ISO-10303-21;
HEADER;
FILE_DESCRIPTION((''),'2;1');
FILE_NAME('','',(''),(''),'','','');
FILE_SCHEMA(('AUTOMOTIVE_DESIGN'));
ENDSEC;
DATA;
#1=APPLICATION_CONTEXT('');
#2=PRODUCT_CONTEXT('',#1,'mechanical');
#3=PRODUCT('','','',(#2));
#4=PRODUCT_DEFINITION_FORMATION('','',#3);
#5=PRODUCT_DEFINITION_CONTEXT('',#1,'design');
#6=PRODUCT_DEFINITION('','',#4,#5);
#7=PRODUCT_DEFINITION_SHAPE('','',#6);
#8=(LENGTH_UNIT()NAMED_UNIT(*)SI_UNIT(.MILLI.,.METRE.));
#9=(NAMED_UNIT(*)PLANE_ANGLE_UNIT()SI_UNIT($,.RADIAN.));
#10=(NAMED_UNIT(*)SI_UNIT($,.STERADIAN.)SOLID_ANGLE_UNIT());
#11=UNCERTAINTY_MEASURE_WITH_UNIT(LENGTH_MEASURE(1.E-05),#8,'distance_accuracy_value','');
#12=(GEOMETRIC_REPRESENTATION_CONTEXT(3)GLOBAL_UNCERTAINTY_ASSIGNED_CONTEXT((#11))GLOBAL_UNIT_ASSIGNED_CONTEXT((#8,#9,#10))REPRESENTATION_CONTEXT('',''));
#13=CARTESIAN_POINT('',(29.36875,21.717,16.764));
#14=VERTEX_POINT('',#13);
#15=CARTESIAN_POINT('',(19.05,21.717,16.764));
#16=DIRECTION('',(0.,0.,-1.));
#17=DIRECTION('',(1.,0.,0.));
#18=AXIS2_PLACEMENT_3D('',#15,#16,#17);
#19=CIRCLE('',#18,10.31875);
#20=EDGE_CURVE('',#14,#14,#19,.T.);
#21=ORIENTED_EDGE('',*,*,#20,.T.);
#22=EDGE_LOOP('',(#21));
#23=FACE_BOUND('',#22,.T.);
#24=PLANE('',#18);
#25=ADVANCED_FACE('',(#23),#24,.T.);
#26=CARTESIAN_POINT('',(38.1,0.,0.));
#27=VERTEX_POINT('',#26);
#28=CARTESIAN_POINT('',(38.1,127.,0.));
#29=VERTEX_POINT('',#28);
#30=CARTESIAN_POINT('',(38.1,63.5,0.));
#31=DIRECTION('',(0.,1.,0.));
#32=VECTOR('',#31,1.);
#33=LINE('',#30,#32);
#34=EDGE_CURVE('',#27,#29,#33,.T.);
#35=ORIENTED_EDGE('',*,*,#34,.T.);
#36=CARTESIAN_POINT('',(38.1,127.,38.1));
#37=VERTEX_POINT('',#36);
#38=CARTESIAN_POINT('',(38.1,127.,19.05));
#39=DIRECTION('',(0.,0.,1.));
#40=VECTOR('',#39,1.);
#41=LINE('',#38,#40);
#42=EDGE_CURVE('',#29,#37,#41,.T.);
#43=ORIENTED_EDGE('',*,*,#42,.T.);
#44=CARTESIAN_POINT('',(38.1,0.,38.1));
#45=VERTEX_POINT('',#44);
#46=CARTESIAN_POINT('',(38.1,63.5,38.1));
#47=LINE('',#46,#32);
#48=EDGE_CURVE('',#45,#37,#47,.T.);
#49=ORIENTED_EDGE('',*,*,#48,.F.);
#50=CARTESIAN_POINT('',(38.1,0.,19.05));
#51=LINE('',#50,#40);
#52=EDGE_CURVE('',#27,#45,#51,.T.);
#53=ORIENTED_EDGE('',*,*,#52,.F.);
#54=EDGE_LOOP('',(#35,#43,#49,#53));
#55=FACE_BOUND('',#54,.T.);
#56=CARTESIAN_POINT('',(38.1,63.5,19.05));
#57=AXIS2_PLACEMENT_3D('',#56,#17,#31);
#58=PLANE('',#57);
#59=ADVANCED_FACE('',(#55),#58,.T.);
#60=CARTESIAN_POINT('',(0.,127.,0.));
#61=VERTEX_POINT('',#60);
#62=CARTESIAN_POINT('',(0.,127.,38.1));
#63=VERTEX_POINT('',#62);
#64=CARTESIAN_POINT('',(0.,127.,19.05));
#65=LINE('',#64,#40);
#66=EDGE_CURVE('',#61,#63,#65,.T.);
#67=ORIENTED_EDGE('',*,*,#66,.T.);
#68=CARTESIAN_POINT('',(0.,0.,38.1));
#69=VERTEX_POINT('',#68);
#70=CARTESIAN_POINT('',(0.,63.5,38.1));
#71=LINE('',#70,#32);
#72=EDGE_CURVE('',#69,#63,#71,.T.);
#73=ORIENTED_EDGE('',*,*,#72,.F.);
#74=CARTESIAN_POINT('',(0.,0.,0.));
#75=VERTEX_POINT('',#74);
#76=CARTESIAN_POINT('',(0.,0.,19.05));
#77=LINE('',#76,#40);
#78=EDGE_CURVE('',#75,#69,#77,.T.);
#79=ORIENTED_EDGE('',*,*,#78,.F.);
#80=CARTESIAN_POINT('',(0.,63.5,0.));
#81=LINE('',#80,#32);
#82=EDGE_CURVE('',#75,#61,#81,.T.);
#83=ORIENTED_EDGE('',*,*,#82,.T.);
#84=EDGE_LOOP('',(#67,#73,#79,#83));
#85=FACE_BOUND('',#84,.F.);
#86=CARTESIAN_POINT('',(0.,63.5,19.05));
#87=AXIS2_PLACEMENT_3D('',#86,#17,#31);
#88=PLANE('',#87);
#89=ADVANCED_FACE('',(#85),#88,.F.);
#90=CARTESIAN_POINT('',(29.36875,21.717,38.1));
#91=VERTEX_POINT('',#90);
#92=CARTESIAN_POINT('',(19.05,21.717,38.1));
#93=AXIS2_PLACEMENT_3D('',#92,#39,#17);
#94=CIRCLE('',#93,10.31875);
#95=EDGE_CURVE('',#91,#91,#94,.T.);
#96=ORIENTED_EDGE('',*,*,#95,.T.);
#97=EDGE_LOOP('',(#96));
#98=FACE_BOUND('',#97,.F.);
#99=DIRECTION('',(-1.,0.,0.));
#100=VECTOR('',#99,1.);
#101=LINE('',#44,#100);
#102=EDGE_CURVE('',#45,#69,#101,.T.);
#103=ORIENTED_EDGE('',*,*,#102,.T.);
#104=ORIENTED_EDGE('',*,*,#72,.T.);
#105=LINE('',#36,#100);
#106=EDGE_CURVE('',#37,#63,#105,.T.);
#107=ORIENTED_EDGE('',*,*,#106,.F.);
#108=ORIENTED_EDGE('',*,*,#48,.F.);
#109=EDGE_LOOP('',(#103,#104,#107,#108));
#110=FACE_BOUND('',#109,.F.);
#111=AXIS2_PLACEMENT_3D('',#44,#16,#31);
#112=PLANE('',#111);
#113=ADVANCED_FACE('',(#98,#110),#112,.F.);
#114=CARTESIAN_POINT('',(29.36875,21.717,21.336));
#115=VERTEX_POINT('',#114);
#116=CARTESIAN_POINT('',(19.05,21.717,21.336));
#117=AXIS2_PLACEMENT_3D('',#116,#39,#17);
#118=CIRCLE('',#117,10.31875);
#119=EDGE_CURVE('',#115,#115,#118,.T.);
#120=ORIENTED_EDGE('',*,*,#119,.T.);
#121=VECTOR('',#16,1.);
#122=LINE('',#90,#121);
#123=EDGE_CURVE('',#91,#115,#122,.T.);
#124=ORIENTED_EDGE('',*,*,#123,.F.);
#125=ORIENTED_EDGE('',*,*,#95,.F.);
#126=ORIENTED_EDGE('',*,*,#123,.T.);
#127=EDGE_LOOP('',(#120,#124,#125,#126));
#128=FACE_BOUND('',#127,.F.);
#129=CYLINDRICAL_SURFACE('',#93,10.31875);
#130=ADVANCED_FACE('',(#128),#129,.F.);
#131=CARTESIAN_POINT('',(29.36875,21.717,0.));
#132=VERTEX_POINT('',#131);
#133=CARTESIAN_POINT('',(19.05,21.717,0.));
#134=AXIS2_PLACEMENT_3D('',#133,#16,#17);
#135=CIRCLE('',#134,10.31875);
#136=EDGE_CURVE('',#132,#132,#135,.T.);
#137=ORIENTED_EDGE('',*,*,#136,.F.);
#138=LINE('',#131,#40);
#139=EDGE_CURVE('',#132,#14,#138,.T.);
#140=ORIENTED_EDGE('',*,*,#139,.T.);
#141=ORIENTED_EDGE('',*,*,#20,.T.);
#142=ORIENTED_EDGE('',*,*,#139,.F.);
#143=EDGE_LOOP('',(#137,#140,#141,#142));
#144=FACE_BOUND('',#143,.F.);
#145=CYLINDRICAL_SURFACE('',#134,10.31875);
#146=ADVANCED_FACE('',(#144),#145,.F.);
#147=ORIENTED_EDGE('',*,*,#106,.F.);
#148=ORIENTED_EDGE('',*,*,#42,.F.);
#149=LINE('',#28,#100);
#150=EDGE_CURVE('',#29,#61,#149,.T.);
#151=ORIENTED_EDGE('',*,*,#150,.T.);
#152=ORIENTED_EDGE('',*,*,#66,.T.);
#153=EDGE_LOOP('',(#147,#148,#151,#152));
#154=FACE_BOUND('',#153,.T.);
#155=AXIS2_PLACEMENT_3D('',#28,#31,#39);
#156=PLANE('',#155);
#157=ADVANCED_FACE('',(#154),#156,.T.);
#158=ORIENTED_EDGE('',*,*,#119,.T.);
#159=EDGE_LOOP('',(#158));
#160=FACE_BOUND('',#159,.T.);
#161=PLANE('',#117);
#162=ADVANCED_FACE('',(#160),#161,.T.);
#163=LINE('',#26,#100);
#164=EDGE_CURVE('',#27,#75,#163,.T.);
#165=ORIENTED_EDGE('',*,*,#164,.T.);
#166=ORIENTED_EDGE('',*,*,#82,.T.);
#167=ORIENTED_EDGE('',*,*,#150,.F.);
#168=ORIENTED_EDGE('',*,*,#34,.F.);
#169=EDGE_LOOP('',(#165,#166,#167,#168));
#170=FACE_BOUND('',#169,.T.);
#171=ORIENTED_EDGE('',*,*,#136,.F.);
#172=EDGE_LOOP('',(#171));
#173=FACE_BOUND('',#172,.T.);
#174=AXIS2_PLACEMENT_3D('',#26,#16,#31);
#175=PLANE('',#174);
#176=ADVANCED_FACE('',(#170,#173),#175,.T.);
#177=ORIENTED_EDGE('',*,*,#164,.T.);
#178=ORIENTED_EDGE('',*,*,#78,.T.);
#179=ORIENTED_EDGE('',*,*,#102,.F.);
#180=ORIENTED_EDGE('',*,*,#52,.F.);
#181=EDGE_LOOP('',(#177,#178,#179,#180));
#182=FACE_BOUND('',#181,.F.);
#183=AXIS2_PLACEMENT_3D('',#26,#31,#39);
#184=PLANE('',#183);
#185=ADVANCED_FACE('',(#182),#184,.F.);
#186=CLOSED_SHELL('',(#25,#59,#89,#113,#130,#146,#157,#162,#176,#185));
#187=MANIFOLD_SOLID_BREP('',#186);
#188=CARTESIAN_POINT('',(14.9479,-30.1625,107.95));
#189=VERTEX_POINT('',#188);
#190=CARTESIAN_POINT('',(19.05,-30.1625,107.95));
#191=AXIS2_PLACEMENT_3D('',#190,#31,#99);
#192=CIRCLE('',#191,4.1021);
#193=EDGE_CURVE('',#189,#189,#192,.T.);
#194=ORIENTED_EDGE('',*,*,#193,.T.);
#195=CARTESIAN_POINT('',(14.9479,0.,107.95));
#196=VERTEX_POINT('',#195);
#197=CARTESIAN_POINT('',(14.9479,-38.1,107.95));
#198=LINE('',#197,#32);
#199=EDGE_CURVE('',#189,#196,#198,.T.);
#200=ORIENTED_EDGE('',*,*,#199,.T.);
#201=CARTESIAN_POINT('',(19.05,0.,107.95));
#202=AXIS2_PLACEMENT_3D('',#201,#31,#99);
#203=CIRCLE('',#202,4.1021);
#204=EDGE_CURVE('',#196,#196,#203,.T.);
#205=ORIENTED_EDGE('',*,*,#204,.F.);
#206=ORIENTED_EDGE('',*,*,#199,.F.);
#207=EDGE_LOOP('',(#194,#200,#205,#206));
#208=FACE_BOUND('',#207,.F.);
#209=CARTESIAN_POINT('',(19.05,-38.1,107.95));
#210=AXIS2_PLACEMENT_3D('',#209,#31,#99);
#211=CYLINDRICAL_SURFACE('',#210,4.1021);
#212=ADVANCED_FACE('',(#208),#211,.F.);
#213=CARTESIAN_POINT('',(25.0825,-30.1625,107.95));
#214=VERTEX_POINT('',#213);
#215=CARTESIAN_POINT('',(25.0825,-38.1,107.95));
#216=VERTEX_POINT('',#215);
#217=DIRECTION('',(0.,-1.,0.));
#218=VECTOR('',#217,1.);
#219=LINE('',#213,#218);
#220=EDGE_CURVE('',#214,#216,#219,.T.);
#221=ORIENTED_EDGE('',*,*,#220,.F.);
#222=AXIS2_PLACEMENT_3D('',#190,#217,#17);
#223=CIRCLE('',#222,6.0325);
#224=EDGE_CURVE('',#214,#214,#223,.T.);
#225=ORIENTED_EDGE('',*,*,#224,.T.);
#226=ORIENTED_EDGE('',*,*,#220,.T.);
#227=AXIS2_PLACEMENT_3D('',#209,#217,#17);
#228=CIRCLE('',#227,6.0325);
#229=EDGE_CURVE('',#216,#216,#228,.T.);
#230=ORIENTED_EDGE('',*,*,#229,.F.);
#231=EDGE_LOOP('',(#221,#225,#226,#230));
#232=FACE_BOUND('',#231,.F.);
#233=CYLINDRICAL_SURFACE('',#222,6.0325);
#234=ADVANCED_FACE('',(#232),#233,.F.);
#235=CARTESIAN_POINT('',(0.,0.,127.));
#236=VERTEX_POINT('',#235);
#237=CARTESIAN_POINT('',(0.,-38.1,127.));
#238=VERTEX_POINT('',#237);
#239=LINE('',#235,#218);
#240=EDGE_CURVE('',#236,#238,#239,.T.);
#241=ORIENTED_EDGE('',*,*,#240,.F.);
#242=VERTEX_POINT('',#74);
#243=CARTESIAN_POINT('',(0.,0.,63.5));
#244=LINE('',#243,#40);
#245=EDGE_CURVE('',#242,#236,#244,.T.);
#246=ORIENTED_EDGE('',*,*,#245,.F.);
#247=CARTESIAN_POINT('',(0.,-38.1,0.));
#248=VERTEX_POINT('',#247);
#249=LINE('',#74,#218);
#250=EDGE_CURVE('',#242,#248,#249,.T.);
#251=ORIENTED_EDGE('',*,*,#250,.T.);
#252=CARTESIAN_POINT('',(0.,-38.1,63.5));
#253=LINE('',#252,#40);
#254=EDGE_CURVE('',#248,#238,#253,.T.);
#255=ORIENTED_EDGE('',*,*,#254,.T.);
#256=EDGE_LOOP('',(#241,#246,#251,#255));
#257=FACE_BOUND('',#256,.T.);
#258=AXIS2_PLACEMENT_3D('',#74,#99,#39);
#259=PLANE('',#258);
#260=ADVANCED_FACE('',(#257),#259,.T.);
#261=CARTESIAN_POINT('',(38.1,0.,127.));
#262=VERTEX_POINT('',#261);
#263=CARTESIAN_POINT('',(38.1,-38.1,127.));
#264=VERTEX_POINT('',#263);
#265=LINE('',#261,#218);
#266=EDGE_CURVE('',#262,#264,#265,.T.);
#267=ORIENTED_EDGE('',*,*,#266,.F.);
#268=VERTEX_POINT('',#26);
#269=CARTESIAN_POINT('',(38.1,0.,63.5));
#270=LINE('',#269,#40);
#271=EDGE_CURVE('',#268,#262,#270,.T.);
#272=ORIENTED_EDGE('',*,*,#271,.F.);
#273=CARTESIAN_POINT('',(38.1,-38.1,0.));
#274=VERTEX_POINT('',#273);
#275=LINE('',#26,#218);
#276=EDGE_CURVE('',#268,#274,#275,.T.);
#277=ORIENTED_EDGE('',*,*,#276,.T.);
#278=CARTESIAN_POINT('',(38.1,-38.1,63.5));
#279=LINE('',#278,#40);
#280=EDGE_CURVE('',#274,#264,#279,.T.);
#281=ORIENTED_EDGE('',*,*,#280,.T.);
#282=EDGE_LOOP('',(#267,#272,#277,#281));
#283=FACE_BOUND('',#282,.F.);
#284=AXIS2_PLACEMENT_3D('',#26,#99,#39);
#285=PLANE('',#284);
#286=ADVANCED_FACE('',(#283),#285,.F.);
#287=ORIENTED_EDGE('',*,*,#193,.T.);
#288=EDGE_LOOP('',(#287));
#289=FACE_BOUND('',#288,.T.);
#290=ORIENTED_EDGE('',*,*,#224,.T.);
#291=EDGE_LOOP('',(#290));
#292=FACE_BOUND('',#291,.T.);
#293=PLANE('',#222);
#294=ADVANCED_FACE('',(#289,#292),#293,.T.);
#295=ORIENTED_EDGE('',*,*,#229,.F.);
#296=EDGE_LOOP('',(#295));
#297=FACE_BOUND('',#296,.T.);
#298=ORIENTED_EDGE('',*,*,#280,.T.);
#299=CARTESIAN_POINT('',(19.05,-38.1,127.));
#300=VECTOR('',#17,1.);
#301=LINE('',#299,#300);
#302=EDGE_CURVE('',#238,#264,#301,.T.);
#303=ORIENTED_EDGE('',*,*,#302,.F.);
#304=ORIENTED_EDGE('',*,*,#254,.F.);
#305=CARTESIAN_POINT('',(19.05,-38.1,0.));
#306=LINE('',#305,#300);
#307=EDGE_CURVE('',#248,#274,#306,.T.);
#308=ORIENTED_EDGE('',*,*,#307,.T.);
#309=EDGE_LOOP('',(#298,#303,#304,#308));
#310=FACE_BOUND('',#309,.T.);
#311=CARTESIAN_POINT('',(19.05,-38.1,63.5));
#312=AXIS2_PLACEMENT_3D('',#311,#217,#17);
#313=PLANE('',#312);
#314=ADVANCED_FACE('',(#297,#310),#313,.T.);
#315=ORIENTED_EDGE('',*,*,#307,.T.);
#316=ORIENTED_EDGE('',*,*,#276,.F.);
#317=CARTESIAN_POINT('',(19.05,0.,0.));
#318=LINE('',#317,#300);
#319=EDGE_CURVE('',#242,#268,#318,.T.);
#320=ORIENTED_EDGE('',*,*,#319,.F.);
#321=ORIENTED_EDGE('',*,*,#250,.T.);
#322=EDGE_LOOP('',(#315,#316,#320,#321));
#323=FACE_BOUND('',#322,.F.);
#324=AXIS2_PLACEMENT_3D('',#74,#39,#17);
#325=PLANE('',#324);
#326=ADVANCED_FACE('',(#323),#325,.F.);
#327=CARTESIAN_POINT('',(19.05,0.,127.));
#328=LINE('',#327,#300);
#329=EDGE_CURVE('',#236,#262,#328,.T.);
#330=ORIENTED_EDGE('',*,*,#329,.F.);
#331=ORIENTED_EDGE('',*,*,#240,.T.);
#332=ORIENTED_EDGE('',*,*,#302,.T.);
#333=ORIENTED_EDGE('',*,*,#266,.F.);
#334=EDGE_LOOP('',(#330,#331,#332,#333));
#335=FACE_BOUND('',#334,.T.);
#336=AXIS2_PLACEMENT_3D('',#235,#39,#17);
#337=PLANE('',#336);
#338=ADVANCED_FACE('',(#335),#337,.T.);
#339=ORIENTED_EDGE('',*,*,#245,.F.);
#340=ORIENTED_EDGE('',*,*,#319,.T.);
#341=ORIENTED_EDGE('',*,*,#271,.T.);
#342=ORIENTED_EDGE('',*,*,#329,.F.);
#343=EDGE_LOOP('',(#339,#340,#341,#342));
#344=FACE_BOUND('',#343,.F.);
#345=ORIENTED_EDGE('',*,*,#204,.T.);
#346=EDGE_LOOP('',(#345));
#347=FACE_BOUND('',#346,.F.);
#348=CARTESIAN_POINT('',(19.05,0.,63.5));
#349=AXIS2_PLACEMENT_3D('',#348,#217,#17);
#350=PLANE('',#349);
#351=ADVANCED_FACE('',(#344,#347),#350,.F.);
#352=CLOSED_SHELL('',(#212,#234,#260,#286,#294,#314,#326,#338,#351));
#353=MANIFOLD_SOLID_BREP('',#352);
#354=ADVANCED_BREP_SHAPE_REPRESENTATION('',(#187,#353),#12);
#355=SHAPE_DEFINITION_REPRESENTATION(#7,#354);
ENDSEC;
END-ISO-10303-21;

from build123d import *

# Parameters (mm, degrees)
F0_W           = 38.1
F0_H           = 127
F1_DEPTH       = 38.1
F2_W           = 127
F2_H           = 38.1
F3_DEPTH       = 38.1
F5_D           = 8.2042
F5_CBORE_D     = 12.065
F5_CBORE_DEPTH = 7.9375
F6_R           = 10.31875
F7_DEPTH       = 16.764
F8_R           = 10.31875
F9_DEPTH       = 16.764


with BuildPart() as f1:
    # F0 (on Front) → F1 (new body)
    with BuildSketch(Plane.XZ):
        with Locations((19.05, 63.5)):
            Rectangle(F0_W, F0_H)
    extrude(amount=F1_DEPTH)

    # F5 (through all)
    with Locations(Plane.XZ.offset(38.1)):
        with Locations((19.05, 107.95)):
            CounterBoreHole(F5_D / 2, F5_CBORE_D / 2, F5_CBORE_DEPTH)


with BuildPart() as f3:
    # F2 (on face) → F3 (new body)
    with BuildSketch(Plane.YZ.offset(38.1)):
        with Locations((63.5, 19.05)):
            Rectangle(F2_W, F2_H)
    extrude(amount=-F3_DEPTH)

    # F6 (on face) → F7 (cut)
    with BuildSketch(Plane.XY.offset(38.1)):
        with Locations((19.05, 21.717)):
            Circle(F6_R)
    extrude(amount=-F7_DEPTH, mode=Mode.SUBTRACT)

    # F8 (on face) → F9 (cut)
    with BuildSketch(Plane(origin=(0, 0, 0), x_dir=(1, 0, 0), z_dir=(0, 0, -1))):
        with Locations((19.05, -21.717)):
            Circle(F8_R)
    extrude(amount=-F9_DEPTH, mode=Mode.SUBTRACT)


solid = Compound([f1.part, f3.part])
